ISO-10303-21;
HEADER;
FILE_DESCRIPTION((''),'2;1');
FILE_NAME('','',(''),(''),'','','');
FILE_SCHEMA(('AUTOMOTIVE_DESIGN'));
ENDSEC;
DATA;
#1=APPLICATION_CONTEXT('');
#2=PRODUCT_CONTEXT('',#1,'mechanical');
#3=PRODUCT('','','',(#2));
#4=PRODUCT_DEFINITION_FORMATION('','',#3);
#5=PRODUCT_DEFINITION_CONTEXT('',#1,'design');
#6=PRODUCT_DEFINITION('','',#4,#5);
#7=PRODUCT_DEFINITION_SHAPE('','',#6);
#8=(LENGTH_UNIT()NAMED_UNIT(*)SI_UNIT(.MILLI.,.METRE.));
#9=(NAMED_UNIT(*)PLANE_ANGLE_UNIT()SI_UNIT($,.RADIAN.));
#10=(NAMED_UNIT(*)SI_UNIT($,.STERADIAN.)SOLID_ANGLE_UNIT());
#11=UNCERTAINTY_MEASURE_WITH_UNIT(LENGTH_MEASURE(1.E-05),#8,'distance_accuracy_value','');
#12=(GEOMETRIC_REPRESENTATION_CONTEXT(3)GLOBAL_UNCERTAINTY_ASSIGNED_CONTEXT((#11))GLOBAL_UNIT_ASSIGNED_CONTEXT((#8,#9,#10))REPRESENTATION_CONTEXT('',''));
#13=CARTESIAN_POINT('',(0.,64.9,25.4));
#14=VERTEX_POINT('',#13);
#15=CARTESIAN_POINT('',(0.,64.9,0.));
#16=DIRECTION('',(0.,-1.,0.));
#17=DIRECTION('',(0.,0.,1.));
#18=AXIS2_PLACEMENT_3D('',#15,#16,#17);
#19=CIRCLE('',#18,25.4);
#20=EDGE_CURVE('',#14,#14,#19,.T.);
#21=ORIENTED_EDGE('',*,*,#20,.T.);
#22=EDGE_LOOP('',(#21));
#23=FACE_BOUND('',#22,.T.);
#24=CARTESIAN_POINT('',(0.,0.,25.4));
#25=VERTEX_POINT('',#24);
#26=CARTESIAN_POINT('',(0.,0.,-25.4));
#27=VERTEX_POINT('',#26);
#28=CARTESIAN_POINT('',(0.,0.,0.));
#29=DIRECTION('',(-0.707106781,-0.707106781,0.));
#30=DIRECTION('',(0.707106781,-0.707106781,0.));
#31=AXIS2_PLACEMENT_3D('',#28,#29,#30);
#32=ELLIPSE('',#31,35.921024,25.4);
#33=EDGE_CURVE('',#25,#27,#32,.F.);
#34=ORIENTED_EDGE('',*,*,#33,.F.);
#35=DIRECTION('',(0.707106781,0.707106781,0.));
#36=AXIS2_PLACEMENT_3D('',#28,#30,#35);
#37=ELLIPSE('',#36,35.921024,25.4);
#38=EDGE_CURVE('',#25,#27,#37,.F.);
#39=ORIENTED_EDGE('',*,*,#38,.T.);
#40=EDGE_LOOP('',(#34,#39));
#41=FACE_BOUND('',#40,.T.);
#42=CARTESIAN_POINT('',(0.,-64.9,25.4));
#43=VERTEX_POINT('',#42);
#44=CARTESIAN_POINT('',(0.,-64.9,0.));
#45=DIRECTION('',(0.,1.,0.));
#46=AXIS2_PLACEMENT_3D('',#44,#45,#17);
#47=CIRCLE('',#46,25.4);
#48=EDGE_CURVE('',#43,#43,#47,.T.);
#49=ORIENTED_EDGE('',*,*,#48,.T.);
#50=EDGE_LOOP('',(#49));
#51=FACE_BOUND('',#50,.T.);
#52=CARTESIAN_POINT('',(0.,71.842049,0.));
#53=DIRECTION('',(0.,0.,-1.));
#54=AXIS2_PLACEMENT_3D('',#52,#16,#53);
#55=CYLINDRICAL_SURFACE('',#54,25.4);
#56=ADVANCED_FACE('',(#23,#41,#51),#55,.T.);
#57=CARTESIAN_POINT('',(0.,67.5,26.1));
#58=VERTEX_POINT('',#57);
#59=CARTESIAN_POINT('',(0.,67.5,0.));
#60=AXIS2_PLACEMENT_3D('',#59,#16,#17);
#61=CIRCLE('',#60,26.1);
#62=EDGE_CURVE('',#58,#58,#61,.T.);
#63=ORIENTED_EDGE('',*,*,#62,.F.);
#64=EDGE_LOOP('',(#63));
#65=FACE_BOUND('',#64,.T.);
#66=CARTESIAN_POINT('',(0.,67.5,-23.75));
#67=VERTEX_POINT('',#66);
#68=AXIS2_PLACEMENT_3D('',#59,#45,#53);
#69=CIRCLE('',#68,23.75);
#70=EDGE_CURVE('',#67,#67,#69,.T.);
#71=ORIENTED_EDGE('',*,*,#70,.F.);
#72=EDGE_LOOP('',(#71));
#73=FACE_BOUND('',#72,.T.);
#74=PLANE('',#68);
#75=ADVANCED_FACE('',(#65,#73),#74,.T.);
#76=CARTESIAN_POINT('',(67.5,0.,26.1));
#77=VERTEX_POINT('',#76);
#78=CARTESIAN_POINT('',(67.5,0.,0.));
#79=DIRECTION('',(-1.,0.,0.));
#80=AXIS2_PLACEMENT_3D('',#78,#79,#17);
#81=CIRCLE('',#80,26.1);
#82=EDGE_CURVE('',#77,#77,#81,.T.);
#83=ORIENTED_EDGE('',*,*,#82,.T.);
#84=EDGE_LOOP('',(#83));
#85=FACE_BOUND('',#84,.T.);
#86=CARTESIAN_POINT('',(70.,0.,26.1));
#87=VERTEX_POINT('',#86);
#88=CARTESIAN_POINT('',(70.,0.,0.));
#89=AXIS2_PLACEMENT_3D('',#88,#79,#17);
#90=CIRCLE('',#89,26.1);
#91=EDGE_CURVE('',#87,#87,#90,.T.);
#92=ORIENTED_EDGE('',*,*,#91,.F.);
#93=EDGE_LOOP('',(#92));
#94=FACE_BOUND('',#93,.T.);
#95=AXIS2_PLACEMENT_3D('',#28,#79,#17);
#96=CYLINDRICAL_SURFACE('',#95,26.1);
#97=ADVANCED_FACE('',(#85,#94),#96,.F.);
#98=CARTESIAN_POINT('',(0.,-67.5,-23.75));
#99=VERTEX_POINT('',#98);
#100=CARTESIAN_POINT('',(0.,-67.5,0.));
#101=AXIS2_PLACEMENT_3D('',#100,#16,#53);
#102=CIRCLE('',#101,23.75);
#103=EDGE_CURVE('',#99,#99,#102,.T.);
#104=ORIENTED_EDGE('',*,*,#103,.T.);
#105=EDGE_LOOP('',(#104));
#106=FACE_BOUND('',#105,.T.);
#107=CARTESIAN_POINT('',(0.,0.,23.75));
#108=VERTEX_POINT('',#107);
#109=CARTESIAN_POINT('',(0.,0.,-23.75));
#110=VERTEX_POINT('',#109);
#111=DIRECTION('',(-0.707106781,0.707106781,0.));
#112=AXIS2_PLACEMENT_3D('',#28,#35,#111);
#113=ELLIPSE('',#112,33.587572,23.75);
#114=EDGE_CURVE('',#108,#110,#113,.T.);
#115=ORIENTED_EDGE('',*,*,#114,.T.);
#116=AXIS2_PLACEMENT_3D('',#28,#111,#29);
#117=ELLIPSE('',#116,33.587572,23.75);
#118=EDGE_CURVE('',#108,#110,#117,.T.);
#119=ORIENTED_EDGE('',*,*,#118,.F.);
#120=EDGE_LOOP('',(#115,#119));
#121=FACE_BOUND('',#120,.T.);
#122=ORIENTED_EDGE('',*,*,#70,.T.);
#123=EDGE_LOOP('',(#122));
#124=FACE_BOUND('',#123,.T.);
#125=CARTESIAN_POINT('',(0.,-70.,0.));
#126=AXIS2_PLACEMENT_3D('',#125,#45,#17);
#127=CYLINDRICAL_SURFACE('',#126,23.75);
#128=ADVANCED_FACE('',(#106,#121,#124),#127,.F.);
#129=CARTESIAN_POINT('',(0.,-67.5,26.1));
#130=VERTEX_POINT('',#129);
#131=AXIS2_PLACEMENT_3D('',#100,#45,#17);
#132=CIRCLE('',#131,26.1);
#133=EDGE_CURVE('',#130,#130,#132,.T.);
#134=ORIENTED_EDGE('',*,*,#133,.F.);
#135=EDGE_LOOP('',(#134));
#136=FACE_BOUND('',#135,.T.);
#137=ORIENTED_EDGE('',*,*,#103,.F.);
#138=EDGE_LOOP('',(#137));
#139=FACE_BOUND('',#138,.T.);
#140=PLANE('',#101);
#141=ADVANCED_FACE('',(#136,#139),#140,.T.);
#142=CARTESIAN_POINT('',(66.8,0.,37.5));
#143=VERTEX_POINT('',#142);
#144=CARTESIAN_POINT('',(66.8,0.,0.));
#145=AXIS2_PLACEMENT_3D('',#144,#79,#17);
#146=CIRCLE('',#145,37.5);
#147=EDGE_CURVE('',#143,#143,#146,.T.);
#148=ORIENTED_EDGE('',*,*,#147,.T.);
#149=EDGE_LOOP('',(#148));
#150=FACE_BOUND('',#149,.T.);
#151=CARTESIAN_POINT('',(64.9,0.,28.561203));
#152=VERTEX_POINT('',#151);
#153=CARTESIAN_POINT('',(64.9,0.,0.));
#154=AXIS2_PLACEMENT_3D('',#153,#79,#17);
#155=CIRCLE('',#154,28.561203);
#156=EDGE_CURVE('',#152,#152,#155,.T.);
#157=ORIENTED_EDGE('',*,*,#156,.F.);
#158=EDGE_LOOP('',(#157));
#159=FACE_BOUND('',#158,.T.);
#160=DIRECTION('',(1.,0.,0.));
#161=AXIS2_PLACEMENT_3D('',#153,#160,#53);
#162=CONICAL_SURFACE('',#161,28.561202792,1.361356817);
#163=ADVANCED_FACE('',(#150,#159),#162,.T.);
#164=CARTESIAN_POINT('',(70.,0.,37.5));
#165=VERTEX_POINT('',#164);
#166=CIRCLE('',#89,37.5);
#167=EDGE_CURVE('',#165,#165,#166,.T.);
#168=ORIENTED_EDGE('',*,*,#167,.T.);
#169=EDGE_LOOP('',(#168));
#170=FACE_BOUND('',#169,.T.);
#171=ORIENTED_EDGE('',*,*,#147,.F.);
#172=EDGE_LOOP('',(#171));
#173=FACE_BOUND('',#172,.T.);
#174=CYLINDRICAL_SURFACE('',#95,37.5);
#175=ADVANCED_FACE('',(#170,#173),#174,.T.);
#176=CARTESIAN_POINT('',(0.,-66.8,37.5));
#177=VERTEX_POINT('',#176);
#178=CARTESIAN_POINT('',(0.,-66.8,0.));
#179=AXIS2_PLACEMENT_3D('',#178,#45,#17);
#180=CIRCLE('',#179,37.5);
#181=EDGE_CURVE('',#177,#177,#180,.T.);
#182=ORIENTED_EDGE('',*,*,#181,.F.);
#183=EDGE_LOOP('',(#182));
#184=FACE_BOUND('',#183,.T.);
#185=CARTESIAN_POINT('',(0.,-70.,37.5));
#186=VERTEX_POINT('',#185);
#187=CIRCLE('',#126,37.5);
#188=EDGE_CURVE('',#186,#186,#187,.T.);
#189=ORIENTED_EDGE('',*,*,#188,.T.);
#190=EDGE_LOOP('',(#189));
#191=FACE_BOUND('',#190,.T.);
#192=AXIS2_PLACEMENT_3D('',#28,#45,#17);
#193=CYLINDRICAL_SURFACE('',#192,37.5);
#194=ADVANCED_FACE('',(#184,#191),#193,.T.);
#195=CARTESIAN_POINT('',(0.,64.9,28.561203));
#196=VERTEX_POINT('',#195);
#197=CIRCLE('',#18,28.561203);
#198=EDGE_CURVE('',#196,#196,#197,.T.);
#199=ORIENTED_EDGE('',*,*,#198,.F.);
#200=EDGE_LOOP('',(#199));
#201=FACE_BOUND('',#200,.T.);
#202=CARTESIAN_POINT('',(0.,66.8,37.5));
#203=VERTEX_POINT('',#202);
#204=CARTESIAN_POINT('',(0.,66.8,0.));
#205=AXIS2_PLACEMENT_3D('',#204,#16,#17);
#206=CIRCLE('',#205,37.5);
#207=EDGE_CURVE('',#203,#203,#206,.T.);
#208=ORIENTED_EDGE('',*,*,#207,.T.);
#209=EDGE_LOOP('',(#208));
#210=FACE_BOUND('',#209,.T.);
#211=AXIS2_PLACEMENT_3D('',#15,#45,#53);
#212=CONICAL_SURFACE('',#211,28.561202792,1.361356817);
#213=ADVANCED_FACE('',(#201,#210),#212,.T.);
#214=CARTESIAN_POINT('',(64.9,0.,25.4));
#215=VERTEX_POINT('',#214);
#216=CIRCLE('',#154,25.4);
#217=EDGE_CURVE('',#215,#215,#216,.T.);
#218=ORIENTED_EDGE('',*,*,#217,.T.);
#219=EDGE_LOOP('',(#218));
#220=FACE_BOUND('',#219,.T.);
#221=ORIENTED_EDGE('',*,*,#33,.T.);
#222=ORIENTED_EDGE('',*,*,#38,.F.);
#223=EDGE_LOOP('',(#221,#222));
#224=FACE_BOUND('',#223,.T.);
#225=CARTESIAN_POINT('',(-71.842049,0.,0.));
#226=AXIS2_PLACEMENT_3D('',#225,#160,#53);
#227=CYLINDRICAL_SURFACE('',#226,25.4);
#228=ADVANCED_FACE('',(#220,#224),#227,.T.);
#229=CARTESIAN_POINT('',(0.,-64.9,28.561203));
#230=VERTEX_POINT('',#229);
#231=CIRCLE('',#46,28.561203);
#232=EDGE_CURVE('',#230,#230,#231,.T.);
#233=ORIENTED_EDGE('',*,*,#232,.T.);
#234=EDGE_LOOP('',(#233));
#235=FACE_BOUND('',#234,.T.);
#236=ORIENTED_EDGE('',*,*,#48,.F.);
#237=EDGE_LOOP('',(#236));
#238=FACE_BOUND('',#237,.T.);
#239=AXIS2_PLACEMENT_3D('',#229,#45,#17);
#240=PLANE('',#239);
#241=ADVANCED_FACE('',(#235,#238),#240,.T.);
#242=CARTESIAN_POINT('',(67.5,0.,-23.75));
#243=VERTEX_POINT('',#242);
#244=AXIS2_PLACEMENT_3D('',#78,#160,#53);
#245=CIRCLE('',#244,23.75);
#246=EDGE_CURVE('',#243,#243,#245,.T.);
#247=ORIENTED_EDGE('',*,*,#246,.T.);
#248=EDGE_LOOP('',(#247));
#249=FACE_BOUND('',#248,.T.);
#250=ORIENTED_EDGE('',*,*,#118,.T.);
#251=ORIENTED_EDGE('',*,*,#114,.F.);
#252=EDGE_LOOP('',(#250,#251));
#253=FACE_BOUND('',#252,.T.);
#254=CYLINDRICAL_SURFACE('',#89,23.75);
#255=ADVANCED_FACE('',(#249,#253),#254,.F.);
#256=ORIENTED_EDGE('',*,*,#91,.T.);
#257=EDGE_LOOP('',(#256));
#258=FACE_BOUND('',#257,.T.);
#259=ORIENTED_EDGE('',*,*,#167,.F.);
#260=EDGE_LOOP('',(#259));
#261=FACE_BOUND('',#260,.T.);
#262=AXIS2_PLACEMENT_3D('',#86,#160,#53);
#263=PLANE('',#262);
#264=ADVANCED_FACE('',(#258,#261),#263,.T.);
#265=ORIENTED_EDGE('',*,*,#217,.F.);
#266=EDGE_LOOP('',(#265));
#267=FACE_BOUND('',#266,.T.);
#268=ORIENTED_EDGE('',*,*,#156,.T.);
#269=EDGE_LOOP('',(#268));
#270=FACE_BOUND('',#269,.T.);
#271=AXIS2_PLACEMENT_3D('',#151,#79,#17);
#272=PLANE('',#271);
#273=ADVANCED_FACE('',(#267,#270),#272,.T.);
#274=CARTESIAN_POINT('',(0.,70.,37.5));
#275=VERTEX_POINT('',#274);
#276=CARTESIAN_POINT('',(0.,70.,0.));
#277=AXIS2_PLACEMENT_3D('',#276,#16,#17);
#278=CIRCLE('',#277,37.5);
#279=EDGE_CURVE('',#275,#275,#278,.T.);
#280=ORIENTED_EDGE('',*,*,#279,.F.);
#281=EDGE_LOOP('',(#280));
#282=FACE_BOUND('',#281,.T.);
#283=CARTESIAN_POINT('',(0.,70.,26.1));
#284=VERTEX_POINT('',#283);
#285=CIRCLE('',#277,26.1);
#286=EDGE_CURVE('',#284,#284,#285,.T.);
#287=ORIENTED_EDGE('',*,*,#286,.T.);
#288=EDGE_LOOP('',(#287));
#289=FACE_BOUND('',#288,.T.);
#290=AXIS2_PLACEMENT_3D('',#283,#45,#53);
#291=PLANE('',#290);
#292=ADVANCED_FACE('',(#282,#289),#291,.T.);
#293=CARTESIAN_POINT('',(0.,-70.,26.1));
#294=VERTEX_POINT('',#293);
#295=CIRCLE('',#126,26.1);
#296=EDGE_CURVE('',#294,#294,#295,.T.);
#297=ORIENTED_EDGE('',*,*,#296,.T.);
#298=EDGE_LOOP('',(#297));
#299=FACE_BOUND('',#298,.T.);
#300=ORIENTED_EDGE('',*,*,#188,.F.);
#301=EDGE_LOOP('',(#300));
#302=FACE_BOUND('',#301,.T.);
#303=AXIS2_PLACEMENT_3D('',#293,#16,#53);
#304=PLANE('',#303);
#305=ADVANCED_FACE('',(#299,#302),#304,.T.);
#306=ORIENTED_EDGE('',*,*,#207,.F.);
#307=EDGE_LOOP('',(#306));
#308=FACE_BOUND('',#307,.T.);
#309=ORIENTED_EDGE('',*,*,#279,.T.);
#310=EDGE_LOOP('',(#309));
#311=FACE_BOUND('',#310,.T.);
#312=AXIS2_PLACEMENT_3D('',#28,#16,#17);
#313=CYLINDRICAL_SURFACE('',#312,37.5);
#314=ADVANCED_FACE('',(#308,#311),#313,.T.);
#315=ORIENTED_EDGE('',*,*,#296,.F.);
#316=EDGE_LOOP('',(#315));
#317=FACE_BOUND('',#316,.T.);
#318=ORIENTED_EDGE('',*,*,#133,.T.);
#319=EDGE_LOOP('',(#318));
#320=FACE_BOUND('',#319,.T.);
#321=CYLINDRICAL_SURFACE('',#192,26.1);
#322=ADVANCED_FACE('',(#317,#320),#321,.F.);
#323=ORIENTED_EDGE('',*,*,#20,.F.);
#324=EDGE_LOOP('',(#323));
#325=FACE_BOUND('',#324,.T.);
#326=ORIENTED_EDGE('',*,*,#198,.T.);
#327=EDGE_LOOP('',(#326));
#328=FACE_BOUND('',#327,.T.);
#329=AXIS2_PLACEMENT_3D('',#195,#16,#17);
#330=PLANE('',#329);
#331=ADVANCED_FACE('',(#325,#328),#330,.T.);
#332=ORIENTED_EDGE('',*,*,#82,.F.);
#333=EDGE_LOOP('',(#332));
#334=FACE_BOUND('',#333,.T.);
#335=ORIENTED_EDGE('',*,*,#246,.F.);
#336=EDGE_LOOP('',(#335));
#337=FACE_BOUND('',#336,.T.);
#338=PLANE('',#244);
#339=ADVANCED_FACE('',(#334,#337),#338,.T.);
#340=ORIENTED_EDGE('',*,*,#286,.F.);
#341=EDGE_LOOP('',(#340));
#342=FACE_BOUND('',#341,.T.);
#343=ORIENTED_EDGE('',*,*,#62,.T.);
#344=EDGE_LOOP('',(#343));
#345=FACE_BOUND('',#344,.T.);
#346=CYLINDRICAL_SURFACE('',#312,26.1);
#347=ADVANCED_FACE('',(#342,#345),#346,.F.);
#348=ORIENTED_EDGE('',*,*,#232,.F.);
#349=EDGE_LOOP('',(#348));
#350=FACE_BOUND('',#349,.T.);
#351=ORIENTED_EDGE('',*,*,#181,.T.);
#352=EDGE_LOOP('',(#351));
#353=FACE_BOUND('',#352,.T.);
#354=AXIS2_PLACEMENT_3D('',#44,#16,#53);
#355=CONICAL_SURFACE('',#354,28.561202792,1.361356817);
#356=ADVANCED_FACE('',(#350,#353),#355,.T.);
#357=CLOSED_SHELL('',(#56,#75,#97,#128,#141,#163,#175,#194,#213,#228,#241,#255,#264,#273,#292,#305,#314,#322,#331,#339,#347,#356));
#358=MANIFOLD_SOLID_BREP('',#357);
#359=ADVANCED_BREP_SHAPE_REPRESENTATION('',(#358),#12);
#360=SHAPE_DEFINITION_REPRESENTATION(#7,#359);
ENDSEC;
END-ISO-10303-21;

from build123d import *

# Parameters (mm, degrees)
SKETCH5_R         = 25.4
STUB_DEPTH        = 67.5
CIRPATTERN1_COUNT = 3
CIRPATTERN1_ANGLE = 180
BORE_SKETCH_R     = 23.75
BORE_DEPTH        = 71
CIRPATTERN2_COUNT = 3
CIRPATTERN2_ANGLE = 180


with BuildPart() as part:
    # Sketch1 → Flange (revolve)
    with BuildSketch(Plane(origin=(0, 0, 0), x_dir=(0, 0, -1), z_dir=(1, 0, 0))):
        Polygon((-37.5, -70), (-37.5, -66.8), (-28.561202792, -64.9), (0, -64.9), (0, -67.5), (-26.1, -67.5), (-26.1, -70), align=None)
    revolve(axis=Axis((0, 0, 0), (0, -1, 0)))

    # Sketch5 → Stub (add)
    with BuildSketch(Plane.XZ.offset(67.5)):
        Circle(SKETCH5_R)
    extrude(amount=-STUB_DEPTH)


with BuildPart() as cirpattern1_1:
    # CirPattern1: pattern copy
    add(part.part.rotate(Axis((0, 0, 0), (0, 0, 1)), 1 * CIRPATTERN1_ANGLE / (CIRPATTERN1_COUNT - 1)))


with BuildPart() as cirpattern1_2:
    # CirPattern1: pattern copy
    add(part.part.rotate(Axis((0, 0, 0), (0, 0, 1)), 2 * CIRPATTERN1_ANGLE / (CIRPATTERN1_COUNT - 1)))


with BuildPart() as part_1:
    add(part.part)

    # Combine1: union CirPattern1_1, CirPattern1_2
    add(cirpattern1_1.part)
    add(cirpattern1_2.part)

    # Bore Sketch → Bore (cut, through all)
    with BuildSketch(Plane(origin=(0, 0, 0), x_dir=(1, 0, 0), z_dir=(0, 1, 0))):
        Circle(BORE_SKETCH_R)
    bore = extrude(amount=-BORE_DEPTH, mode=Mode.SUBTRACT)

    # CirPattern2: Bore ×3 about axis
    cirpattern2_axis = Axis((0, 0, -30.25), (0, 0, 1))
    for i in range(1, CIRPATTERN2_COUNT):
        add(bore.rotate(cirpattern2_axis, i * CIRPATTERN2_ANGLE / (CIRPATTERN2_COUNT - 1)), mode=Mode.SUBTRACT)


solid = part_1.part
